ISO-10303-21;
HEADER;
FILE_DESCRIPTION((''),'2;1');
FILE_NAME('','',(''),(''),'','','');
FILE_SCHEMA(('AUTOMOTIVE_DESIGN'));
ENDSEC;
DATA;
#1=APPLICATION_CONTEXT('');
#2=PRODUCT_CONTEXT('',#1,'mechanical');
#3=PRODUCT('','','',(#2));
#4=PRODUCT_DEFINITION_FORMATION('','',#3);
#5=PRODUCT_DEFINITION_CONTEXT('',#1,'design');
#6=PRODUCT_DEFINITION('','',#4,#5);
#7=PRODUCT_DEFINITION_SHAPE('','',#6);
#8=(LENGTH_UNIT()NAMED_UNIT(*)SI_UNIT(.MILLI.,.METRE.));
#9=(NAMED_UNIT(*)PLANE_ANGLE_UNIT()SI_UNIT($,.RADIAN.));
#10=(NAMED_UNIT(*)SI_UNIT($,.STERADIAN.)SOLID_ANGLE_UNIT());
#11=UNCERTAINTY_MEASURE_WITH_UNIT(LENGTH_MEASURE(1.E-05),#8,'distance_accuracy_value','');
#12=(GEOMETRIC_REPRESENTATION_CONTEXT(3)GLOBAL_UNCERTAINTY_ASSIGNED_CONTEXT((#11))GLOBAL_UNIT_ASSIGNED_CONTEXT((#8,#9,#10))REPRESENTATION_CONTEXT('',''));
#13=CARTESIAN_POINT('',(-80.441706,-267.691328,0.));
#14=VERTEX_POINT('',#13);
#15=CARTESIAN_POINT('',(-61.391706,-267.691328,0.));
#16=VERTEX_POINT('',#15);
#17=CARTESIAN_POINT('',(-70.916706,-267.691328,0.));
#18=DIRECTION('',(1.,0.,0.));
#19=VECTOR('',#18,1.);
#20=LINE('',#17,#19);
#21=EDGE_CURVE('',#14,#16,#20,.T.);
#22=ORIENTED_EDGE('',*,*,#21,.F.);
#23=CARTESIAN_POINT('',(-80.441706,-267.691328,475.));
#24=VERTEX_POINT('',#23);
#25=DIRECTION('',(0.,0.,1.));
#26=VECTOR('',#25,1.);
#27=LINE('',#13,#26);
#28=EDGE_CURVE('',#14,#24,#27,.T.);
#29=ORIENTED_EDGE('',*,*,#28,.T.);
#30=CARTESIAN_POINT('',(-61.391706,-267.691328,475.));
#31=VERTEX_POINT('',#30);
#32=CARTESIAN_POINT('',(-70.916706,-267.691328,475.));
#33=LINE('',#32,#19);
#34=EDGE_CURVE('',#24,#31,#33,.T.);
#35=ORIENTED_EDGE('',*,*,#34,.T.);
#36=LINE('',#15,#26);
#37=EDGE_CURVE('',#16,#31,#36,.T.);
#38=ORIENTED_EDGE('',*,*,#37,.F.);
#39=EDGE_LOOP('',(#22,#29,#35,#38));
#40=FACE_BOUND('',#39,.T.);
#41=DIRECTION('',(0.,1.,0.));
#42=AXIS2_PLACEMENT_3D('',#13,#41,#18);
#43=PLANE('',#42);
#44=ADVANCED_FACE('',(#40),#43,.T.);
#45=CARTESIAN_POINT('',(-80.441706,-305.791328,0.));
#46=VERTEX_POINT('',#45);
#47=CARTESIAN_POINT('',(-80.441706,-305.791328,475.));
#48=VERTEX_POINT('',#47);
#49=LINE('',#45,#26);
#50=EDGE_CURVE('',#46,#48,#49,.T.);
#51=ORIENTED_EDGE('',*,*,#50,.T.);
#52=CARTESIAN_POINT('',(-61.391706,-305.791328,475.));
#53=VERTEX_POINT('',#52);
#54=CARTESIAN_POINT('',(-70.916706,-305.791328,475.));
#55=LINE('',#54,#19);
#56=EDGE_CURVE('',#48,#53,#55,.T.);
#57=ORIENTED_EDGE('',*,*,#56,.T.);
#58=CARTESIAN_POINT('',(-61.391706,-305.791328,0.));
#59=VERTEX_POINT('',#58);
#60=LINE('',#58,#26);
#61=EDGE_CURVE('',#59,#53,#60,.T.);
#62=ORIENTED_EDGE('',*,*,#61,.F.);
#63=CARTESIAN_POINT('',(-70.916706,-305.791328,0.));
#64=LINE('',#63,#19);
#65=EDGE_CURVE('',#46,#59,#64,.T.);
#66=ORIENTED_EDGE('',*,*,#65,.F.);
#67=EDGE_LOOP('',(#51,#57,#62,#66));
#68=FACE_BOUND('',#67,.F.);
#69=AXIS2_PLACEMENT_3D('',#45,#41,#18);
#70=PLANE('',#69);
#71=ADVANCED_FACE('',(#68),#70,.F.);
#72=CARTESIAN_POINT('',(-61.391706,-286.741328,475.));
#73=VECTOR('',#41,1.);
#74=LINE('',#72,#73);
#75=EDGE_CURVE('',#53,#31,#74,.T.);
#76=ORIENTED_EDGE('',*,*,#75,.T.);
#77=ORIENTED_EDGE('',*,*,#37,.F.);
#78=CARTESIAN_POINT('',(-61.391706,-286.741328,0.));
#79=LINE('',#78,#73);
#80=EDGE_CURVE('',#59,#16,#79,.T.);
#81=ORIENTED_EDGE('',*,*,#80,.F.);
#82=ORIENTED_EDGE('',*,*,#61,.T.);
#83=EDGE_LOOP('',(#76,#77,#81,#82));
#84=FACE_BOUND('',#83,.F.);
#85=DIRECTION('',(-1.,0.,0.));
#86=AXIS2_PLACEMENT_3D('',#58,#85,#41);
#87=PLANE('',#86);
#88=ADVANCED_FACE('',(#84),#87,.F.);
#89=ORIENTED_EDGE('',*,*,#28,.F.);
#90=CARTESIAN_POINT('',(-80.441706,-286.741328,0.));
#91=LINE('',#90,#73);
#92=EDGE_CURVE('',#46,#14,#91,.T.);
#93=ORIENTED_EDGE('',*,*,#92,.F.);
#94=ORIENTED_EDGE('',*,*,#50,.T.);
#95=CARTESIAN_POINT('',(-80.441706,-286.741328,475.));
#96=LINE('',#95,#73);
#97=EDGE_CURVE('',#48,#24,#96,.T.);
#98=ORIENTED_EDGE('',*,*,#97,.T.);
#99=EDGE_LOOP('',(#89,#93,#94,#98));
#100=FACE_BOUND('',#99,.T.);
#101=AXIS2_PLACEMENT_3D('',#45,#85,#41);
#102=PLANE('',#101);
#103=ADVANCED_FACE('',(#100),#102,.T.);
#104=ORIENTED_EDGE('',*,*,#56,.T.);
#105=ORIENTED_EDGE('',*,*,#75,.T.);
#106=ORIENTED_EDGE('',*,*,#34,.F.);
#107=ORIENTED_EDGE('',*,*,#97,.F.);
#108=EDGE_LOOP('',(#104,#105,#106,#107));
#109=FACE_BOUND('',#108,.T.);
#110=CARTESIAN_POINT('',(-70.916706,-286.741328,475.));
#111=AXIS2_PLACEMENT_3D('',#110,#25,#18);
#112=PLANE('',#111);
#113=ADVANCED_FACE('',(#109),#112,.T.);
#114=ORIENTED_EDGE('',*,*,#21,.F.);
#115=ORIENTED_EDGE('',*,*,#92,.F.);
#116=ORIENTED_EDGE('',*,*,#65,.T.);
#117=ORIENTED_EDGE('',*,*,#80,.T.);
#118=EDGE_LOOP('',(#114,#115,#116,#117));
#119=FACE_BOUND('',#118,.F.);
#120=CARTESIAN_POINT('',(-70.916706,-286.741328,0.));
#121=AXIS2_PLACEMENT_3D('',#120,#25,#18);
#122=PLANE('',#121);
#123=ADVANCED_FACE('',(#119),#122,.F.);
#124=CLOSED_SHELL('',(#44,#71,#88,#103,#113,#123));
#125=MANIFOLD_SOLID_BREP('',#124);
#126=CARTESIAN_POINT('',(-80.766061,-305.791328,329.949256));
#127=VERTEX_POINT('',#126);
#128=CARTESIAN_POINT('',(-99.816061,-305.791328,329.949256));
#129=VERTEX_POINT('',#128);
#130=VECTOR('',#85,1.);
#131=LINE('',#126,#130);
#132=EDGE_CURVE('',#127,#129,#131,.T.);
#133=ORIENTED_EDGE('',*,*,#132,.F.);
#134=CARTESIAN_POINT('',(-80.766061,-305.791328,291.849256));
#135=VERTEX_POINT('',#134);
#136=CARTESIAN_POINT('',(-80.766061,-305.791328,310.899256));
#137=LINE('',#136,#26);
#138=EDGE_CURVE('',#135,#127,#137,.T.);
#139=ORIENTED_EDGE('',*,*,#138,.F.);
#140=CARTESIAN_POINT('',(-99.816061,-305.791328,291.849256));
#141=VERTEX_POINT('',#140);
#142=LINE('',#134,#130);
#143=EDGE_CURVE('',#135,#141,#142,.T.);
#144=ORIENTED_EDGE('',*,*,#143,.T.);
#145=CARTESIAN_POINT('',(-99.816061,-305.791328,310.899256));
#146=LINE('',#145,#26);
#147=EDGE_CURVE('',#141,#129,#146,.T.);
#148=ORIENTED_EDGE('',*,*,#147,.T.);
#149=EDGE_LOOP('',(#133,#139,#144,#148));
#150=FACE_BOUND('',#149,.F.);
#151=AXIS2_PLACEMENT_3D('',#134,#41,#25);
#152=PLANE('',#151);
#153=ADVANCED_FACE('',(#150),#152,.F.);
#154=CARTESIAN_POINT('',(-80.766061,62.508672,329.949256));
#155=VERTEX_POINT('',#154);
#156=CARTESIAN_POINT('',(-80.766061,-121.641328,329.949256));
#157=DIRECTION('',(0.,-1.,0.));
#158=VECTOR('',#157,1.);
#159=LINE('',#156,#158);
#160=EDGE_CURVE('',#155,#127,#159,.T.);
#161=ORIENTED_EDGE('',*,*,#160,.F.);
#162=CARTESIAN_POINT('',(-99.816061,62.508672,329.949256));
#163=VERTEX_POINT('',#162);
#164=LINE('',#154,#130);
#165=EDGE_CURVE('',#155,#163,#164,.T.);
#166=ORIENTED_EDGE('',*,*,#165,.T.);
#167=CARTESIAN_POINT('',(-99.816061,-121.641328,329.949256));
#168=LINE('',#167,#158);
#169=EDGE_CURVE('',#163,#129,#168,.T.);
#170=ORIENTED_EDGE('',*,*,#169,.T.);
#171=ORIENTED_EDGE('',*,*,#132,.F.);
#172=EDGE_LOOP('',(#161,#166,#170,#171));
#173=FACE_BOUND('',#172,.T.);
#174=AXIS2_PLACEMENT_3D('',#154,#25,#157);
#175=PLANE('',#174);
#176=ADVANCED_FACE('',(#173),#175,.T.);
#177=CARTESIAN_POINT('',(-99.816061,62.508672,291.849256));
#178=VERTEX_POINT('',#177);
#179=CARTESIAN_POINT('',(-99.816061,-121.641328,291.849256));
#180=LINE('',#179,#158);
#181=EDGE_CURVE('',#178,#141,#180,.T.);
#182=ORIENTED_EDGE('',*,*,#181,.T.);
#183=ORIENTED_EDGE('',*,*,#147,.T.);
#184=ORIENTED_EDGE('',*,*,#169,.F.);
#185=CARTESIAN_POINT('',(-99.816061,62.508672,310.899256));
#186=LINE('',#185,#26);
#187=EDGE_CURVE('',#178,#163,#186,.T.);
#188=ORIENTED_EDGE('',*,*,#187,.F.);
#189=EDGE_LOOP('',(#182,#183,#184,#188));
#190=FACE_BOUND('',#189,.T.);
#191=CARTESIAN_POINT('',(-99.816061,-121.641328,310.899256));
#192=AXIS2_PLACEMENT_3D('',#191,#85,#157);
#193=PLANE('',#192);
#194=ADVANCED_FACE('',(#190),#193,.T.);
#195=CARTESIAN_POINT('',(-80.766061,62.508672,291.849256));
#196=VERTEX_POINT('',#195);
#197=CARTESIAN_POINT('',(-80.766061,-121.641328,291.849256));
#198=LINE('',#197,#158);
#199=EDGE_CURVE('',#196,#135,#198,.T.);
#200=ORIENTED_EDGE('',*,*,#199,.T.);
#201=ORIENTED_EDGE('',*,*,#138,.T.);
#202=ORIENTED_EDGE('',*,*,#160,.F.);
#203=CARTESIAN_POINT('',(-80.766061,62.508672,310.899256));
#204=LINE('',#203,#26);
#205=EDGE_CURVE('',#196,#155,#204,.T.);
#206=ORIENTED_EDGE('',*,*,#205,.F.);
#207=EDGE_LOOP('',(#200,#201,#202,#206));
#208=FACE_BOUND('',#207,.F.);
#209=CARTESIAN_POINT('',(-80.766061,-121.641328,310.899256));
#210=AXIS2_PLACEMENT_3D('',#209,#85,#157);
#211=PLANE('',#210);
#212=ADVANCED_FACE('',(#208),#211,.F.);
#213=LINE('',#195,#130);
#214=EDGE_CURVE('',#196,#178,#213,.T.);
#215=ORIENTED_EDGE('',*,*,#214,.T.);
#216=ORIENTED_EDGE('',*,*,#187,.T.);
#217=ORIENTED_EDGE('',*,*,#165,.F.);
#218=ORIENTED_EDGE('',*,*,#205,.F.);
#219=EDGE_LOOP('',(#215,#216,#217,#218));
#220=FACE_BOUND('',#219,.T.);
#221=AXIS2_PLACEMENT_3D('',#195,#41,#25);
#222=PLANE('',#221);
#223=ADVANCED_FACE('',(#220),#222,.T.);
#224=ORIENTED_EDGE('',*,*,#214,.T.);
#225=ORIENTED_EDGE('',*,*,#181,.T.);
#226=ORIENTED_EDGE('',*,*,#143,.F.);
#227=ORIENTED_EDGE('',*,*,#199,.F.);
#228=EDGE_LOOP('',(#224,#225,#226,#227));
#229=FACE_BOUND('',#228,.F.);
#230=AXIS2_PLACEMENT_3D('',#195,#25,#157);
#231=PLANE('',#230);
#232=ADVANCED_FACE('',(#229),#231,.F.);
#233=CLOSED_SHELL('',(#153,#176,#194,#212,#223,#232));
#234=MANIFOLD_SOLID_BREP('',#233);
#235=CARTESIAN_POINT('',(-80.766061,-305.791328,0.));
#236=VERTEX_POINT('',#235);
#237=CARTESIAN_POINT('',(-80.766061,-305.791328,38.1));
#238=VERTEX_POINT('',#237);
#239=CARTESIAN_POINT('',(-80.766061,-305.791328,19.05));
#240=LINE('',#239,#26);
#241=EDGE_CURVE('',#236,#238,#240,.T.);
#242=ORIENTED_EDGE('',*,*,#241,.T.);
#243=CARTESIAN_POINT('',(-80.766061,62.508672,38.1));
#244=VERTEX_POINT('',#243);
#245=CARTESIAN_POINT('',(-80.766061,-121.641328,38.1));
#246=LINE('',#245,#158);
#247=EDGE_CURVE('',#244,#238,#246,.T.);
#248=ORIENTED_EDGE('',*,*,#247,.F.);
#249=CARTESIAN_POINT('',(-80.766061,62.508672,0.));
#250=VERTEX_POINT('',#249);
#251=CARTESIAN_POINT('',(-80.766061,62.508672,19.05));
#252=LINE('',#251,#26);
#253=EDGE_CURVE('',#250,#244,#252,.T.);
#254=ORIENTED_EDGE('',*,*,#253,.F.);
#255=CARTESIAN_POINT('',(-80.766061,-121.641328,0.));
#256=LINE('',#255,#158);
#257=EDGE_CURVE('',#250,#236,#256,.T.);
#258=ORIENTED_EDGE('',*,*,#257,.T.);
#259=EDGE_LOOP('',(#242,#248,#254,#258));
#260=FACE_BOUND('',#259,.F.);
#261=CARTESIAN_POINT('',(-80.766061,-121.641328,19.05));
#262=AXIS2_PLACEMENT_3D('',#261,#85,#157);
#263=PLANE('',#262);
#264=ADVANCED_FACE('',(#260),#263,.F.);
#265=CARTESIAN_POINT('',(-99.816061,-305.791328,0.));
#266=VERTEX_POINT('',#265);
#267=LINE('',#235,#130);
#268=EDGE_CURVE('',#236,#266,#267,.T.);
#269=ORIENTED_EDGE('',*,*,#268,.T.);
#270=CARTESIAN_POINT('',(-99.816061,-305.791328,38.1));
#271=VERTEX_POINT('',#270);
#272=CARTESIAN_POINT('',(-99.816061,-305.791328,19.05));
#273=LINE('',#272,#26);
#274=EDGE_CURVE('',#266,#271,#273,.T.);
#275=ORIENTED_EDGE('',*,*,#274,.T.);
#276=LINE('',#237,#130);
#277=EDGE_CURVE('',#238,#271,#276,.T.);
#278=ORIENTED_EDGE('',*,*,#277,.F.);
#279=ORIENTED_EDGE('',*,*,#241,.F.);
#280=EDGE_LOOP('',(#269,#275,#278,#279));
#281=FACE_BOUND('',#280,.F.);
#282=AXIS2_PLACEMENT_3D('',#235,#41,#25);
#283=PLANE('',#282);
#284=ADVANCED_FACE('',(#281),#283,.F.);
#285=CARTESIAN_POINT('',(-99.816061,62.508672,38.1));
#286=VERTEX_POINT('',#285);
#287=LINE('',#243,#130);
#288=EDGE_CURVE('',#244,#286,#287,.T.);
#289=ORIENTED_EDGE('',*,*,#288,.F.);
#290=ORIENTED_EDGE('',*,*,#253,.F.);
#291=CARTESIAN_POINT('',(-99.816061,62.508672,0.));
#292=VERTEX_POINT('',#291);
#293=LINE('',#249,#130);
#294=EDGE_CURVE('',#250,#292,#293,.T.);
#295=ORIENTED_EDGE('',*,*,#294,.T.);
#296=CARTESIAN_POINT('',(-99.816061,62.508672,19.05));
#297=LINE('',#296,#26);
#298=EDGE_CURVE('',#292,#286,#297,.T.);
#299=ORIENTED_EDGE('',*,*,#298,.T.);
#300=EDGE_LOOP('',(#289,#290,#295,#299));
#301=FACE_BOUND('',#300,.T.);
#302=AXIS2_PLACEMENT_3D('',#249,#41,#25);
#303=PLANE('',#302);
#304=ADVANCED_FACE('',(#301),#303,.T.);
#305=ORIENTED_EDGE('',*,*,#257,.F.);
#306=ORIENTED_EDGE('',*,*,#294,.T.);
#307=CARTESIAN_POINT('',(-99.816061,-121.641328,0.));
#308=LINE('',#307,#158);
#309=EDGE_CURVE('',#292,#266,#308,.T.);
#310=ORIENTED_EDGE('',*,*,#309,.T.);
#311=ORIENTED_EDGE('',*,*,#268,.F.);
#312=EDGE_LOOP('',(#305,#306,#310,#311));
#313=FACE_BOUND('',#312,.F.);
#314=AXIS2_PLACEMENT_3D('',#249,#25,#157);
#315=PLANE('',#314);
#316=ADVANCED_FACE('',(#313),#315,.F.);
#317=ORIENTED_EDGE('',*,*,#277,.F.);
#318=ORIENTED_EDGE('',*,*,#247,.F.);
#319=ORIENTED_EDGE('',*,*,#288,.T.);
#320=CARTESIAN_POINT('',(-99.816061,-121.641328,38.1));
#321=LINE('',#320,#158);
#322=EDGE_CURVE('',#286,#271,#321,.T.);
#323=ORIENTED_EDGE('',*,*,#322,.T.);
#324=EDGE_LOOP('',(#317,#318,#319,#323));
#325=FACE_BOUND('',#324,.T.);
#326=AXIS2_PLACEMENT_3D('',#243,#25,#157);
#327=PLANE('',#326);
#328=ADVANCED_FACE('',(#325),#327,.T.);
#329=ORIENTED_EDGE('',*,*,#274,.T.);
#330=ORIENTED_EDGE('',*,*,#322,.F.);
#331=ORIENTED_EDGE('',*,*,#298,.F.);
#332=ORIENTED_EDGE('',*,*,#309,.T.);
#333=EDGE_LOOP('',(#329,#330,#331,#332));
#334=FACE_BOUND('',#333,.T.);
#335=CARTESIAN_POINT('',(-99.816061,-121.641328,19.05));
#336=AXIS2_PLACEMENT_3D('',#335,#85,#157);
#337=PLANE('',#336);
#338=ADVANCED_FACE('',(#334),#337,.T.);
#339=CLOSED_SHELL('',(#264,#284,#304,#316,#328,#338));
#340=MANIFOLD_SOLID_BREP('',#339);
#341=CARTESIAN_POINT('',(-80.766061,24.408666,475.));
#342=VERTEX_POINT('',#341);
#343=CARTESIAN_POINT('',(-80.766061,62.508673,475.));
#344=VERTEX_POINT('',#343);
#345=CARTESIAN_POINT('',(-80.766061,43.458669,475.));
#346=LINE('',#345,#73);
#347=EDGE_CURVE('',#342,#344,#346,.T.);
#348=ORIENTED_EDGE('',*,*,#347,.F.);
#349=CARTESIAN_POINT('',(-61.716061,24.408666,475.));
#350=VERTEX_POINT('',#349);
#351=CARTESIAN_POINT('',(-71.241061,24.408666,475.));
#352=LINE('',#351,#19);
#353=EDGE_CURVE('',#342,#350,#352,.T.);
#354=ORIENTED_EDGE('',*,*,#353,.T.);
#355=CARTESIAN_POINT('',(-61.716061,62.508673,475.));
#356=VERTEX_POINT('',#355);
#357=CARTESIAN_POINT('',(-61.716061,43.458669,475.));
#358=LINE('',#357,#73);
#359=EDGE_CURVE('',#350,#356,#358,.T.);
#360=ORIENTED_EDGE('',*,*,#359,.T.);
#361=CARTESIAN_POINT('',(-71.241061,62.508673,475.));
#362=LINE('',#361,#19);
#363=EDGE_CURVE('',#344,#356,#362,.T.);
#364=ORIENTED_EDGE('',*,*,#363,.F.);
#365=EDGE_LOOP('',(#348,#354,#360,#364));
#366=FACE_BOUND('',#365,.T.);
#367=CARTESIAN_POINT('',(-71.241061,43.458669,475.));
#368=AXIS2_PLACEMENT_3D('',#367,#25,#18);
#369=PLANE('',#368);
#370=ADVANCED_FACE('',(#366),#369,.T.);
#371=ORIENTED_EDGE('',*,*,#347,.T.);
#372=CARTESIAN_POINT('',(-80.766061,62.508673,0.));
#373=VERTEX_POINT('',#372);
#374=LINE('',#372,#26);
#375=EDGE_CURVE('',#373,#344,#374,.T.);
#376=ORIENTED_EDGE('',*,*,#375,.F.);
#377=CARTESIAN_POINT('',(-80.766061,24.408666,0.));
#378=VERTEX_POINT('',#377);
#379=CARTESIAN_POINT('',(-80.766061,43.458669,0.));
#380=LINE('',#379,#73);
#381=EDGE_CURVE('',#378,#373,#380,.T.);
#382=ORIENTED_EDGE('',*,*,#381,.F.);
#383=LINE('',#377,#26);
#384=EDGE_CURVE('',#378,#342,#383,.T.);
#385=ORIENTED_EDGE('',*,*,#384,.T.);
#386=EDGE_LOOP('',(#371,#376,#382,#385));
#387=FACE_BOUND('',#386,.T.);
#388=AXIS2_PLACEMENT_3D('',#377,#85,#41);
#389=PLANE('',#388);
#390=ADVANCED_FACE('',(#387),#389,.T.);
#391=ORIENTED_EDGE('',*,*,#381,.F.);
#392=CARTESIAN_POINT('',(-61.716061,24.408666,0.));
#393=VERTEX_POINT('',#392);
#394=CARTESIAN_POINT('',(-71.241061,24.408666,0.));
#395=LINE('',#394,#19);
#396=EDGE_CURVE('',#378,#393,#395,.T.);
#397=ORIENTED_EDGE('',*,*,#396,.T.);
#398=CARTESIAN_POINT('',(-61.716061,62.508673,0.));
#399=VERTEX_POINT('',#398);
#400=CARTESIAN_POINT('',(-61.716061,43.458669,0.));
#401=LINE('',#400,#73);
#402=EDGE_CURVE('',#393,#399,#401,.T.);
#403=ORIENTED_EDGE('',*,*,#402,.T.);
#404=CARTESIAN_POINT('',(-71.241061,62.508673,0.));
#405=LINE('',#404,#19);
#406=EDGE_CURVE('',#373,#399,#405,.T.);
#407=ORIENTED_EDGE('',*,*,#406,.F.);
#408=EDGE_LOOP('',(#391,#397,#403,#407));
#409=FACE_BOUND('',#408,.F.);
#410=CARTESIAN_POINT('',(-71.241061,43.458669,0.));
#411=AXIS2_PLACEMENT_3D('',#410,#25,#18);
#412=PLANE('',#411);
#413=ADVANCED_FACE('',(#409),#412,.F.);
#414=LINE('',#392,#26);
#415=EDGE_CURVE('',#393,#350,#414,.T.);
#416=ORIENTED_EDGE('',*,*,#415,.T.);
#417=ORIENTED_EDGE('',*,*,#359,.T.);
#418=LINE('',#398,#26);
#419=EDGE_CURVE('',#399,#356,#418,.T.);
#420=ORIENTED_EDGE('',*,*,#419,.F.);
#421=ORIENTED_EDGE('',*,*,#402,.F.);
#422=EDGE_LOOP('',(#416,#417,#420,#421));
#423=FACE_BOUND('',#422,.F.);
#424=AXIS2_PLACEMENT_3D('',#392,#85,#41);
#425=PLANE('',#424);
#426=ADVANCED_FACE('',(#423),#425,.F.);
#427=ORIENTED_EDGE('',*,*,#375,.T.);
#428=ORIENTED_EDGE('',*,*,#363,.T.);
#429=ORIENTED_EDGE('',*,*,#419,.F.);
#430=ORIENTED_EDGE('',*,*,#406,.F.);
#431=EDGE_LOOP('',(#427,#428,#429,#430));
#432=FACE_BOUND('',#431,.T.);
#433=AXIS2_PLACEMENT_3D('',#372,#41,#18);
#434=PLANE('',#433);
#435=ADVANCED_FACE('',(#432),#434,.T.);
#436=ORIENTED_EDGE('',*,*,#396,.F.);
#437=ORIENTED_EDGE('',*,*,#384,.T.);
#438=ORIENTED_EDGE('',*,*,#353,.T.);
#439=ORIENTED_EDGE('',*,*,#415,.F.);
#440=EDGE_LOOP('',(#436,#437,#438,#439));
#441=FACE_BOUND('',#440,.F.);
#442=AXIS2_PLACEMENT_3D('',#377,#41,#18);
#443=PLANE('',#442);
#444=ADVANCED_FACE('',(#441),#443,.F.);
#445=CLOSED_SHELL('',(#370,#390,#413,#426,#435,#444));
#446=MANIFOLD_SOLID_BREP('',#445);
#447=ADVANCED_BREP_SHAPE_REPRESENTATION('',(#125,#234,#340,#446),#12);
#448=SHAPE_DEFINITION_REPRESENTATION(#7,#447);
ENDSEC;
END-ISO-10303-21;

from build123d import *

# Parameters (mm, degrees)
F0_W     = 19.05
F0_H     = 38.100007
F1_DEPTH = 475
F2_W     = 19.05
F2_H     = 38.1
F3_DEPTH = 475
F4_W     = 368.3
F4_H     = 38.1
F5_DEPTH = 19.05
F6_W     = 368.3
F6_H     = 38.1
F7_DEPTH = 19.05


with BuildPart() as f1:
    # F0 (on Top) → F1 (new body)
    with BuildSketch(Plane.XY):
        with Locations((-71.241061, 43.458669)):
            Rectangle(F0_W, F0_H)
    extrude(amount=F1_DEPTH)


with BuildPart() as f3:
    # F2 (on Top) → F3 (new body)
    with BuildSketch(Plane.XY):
        with Locations((-70.916706, -286.741328)):
            Rectangle(F2_W, F2_H)
    extrude(amount=F3_DEPTH)


with BuildPart() as f5:
    # F4 (on face) → F5 (new body)
    with BuildSketch(Plane(origin=(-80.766061, 0, 0), x_dir=(0, -1, 0), z_dir=(-1, 0, 0))):
        with Locations((121.641328, 19.05)):
            Rectangle(F4_W, F4_H)
    extrude(amount=F5_DEPTH)


with BuildPart() as f7:
    # F6 (on face) → F7 (new body)
    with BuildSketch(Plane(origin=(-80.766061, 0, 0), x_dir=(0, -1, 0), z_dir=(-1, 0, 0))):
        with Locations((121.641328, 310.899256)):
            Rectangle(F6_W, F6_H)
    extrude(amount=F7_DEPTH)


solid = Compound([f1.part, f3.part, f5.part, f7.part])
